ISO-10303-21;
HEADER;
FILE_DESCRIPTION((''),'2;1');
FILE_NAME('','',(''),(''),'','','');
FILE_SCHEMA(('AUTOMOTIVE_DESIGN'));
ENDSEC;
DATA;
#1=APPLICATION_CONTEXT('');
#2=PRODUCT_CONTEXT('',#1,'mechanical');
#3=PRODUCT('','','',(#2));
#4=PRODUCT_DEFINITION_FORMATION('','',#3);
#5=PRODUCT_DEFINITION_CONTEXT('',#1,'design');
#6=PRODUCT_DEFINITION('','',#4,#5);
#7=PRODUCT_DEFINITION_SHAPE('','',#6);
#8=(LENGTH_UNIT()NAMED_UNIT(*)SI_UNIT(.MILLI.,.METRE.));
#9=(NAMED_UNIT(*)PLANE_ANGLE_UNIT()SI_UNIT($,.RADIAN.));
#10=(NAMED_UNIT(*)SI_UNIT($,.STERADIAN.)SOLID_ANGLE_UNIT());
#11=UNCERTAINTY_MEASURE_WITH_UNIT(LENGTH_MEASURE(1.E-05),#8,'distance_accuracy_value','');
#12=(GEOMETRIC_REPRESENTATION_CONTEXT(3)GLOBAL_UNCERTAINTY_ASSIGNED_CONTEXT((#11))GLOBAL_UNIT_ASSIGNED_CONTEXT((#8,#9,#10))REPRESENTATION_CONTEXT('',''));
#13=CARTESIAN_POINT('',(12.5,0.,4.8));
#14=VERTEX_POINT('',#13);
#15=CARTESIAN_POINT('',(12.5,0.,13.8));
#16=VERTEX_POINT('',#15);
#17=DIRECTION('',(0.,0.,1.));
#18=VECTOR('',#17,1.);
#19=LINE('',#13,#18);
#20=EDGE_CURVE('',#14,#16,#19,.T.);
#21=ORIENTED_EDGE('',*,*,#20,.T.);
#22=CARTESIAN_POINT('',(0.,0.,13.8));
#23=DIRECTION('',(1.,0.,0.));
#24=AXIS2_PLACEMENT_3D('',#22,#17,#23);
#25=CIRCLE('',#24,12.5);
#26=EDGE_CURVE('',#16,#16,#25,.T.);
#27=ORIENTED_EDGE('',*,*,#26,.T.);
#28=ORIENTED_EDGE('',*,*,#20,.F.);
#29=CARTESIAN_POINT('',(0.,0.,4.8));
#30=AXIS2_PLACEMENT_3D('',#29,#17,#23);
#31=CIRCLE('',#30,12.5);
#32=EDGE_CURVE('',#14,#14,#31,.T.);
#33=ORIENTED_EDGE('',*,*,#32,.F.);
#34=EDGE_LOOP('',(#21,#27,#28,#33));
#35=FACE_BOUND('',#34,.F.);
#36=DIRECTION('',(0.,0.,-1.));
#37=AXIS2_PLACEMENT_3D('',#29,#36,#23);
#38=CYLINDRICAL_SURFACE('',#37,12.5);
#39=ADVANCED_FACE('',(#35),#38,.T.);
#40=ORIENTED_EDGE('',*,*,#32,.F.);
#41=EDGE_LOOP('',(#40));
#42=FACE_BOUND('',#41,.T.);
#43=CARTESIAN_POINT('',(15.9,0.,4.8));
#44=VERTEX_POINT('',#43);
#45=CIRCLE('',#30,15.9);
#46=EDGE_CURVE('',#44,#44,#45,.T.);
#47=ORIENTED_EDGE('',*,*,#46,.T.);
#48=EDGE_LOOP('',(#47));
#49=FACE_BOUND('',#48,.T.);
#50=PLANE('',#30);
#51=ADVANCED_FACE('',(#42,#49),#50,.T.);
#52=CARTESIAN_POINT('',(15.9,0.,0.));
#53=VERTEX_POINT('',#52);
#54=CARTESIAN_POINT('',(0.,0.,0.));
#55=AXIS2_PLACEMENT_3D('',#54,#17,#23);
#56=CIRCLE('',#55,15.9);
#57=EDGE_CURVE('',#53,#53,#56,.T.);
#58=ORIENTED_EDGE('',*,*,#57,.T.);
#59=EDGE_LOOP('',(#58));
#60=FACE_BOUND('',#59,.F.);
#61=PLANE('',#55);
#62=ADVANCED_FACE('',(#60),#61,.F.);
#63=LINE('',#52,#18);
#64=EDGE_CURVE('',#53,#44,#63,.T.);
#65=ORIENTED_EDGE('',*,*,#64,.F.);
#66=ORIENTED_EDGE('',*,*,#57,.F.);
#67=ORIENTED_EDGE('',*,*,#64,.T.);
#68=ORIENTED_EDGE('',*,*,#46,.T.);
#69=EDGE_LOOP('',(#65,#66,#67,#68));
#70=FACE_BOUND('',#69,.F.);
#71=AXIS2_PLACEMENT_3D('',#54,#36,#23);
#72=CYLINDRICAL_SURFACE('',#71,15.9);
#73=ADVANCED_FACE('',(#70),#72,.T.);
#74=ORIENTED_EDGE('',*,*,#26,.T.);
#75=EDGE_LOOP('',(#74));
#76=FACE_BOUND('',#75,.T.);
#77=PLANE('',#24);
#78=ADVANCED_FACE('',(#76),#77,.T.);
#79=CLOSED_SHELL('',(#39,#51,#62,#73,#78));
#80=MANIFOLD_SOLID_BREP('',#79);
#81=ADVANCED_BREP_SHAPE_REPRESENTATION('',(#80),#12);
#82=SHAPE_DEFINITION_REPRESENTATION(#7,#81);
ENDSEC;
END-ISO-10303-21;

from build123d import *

# Parameters (mm, degrees)
SKETCH_R     = 15.9
PAD_DEPTH    = 4.8
SKETCH001_R  = 12.5
PAD001_DEPTH = 9


with BuildPart() as part:
    # Sketch → Pad (new body)
    with BuildSketch(Plane.XY):
        Circle(SKETCH_R)
    extrude(amount=PAD_DEPTH)

    # Sketch001 (on Face3 of Pad) → Pad001 (join)
    with BuildSketch(Plane.XY.offset(4.8)):
        Circle(SKETCH001_R)
    extrude(amount=PAD001_DEPTH)


solid = part.part
